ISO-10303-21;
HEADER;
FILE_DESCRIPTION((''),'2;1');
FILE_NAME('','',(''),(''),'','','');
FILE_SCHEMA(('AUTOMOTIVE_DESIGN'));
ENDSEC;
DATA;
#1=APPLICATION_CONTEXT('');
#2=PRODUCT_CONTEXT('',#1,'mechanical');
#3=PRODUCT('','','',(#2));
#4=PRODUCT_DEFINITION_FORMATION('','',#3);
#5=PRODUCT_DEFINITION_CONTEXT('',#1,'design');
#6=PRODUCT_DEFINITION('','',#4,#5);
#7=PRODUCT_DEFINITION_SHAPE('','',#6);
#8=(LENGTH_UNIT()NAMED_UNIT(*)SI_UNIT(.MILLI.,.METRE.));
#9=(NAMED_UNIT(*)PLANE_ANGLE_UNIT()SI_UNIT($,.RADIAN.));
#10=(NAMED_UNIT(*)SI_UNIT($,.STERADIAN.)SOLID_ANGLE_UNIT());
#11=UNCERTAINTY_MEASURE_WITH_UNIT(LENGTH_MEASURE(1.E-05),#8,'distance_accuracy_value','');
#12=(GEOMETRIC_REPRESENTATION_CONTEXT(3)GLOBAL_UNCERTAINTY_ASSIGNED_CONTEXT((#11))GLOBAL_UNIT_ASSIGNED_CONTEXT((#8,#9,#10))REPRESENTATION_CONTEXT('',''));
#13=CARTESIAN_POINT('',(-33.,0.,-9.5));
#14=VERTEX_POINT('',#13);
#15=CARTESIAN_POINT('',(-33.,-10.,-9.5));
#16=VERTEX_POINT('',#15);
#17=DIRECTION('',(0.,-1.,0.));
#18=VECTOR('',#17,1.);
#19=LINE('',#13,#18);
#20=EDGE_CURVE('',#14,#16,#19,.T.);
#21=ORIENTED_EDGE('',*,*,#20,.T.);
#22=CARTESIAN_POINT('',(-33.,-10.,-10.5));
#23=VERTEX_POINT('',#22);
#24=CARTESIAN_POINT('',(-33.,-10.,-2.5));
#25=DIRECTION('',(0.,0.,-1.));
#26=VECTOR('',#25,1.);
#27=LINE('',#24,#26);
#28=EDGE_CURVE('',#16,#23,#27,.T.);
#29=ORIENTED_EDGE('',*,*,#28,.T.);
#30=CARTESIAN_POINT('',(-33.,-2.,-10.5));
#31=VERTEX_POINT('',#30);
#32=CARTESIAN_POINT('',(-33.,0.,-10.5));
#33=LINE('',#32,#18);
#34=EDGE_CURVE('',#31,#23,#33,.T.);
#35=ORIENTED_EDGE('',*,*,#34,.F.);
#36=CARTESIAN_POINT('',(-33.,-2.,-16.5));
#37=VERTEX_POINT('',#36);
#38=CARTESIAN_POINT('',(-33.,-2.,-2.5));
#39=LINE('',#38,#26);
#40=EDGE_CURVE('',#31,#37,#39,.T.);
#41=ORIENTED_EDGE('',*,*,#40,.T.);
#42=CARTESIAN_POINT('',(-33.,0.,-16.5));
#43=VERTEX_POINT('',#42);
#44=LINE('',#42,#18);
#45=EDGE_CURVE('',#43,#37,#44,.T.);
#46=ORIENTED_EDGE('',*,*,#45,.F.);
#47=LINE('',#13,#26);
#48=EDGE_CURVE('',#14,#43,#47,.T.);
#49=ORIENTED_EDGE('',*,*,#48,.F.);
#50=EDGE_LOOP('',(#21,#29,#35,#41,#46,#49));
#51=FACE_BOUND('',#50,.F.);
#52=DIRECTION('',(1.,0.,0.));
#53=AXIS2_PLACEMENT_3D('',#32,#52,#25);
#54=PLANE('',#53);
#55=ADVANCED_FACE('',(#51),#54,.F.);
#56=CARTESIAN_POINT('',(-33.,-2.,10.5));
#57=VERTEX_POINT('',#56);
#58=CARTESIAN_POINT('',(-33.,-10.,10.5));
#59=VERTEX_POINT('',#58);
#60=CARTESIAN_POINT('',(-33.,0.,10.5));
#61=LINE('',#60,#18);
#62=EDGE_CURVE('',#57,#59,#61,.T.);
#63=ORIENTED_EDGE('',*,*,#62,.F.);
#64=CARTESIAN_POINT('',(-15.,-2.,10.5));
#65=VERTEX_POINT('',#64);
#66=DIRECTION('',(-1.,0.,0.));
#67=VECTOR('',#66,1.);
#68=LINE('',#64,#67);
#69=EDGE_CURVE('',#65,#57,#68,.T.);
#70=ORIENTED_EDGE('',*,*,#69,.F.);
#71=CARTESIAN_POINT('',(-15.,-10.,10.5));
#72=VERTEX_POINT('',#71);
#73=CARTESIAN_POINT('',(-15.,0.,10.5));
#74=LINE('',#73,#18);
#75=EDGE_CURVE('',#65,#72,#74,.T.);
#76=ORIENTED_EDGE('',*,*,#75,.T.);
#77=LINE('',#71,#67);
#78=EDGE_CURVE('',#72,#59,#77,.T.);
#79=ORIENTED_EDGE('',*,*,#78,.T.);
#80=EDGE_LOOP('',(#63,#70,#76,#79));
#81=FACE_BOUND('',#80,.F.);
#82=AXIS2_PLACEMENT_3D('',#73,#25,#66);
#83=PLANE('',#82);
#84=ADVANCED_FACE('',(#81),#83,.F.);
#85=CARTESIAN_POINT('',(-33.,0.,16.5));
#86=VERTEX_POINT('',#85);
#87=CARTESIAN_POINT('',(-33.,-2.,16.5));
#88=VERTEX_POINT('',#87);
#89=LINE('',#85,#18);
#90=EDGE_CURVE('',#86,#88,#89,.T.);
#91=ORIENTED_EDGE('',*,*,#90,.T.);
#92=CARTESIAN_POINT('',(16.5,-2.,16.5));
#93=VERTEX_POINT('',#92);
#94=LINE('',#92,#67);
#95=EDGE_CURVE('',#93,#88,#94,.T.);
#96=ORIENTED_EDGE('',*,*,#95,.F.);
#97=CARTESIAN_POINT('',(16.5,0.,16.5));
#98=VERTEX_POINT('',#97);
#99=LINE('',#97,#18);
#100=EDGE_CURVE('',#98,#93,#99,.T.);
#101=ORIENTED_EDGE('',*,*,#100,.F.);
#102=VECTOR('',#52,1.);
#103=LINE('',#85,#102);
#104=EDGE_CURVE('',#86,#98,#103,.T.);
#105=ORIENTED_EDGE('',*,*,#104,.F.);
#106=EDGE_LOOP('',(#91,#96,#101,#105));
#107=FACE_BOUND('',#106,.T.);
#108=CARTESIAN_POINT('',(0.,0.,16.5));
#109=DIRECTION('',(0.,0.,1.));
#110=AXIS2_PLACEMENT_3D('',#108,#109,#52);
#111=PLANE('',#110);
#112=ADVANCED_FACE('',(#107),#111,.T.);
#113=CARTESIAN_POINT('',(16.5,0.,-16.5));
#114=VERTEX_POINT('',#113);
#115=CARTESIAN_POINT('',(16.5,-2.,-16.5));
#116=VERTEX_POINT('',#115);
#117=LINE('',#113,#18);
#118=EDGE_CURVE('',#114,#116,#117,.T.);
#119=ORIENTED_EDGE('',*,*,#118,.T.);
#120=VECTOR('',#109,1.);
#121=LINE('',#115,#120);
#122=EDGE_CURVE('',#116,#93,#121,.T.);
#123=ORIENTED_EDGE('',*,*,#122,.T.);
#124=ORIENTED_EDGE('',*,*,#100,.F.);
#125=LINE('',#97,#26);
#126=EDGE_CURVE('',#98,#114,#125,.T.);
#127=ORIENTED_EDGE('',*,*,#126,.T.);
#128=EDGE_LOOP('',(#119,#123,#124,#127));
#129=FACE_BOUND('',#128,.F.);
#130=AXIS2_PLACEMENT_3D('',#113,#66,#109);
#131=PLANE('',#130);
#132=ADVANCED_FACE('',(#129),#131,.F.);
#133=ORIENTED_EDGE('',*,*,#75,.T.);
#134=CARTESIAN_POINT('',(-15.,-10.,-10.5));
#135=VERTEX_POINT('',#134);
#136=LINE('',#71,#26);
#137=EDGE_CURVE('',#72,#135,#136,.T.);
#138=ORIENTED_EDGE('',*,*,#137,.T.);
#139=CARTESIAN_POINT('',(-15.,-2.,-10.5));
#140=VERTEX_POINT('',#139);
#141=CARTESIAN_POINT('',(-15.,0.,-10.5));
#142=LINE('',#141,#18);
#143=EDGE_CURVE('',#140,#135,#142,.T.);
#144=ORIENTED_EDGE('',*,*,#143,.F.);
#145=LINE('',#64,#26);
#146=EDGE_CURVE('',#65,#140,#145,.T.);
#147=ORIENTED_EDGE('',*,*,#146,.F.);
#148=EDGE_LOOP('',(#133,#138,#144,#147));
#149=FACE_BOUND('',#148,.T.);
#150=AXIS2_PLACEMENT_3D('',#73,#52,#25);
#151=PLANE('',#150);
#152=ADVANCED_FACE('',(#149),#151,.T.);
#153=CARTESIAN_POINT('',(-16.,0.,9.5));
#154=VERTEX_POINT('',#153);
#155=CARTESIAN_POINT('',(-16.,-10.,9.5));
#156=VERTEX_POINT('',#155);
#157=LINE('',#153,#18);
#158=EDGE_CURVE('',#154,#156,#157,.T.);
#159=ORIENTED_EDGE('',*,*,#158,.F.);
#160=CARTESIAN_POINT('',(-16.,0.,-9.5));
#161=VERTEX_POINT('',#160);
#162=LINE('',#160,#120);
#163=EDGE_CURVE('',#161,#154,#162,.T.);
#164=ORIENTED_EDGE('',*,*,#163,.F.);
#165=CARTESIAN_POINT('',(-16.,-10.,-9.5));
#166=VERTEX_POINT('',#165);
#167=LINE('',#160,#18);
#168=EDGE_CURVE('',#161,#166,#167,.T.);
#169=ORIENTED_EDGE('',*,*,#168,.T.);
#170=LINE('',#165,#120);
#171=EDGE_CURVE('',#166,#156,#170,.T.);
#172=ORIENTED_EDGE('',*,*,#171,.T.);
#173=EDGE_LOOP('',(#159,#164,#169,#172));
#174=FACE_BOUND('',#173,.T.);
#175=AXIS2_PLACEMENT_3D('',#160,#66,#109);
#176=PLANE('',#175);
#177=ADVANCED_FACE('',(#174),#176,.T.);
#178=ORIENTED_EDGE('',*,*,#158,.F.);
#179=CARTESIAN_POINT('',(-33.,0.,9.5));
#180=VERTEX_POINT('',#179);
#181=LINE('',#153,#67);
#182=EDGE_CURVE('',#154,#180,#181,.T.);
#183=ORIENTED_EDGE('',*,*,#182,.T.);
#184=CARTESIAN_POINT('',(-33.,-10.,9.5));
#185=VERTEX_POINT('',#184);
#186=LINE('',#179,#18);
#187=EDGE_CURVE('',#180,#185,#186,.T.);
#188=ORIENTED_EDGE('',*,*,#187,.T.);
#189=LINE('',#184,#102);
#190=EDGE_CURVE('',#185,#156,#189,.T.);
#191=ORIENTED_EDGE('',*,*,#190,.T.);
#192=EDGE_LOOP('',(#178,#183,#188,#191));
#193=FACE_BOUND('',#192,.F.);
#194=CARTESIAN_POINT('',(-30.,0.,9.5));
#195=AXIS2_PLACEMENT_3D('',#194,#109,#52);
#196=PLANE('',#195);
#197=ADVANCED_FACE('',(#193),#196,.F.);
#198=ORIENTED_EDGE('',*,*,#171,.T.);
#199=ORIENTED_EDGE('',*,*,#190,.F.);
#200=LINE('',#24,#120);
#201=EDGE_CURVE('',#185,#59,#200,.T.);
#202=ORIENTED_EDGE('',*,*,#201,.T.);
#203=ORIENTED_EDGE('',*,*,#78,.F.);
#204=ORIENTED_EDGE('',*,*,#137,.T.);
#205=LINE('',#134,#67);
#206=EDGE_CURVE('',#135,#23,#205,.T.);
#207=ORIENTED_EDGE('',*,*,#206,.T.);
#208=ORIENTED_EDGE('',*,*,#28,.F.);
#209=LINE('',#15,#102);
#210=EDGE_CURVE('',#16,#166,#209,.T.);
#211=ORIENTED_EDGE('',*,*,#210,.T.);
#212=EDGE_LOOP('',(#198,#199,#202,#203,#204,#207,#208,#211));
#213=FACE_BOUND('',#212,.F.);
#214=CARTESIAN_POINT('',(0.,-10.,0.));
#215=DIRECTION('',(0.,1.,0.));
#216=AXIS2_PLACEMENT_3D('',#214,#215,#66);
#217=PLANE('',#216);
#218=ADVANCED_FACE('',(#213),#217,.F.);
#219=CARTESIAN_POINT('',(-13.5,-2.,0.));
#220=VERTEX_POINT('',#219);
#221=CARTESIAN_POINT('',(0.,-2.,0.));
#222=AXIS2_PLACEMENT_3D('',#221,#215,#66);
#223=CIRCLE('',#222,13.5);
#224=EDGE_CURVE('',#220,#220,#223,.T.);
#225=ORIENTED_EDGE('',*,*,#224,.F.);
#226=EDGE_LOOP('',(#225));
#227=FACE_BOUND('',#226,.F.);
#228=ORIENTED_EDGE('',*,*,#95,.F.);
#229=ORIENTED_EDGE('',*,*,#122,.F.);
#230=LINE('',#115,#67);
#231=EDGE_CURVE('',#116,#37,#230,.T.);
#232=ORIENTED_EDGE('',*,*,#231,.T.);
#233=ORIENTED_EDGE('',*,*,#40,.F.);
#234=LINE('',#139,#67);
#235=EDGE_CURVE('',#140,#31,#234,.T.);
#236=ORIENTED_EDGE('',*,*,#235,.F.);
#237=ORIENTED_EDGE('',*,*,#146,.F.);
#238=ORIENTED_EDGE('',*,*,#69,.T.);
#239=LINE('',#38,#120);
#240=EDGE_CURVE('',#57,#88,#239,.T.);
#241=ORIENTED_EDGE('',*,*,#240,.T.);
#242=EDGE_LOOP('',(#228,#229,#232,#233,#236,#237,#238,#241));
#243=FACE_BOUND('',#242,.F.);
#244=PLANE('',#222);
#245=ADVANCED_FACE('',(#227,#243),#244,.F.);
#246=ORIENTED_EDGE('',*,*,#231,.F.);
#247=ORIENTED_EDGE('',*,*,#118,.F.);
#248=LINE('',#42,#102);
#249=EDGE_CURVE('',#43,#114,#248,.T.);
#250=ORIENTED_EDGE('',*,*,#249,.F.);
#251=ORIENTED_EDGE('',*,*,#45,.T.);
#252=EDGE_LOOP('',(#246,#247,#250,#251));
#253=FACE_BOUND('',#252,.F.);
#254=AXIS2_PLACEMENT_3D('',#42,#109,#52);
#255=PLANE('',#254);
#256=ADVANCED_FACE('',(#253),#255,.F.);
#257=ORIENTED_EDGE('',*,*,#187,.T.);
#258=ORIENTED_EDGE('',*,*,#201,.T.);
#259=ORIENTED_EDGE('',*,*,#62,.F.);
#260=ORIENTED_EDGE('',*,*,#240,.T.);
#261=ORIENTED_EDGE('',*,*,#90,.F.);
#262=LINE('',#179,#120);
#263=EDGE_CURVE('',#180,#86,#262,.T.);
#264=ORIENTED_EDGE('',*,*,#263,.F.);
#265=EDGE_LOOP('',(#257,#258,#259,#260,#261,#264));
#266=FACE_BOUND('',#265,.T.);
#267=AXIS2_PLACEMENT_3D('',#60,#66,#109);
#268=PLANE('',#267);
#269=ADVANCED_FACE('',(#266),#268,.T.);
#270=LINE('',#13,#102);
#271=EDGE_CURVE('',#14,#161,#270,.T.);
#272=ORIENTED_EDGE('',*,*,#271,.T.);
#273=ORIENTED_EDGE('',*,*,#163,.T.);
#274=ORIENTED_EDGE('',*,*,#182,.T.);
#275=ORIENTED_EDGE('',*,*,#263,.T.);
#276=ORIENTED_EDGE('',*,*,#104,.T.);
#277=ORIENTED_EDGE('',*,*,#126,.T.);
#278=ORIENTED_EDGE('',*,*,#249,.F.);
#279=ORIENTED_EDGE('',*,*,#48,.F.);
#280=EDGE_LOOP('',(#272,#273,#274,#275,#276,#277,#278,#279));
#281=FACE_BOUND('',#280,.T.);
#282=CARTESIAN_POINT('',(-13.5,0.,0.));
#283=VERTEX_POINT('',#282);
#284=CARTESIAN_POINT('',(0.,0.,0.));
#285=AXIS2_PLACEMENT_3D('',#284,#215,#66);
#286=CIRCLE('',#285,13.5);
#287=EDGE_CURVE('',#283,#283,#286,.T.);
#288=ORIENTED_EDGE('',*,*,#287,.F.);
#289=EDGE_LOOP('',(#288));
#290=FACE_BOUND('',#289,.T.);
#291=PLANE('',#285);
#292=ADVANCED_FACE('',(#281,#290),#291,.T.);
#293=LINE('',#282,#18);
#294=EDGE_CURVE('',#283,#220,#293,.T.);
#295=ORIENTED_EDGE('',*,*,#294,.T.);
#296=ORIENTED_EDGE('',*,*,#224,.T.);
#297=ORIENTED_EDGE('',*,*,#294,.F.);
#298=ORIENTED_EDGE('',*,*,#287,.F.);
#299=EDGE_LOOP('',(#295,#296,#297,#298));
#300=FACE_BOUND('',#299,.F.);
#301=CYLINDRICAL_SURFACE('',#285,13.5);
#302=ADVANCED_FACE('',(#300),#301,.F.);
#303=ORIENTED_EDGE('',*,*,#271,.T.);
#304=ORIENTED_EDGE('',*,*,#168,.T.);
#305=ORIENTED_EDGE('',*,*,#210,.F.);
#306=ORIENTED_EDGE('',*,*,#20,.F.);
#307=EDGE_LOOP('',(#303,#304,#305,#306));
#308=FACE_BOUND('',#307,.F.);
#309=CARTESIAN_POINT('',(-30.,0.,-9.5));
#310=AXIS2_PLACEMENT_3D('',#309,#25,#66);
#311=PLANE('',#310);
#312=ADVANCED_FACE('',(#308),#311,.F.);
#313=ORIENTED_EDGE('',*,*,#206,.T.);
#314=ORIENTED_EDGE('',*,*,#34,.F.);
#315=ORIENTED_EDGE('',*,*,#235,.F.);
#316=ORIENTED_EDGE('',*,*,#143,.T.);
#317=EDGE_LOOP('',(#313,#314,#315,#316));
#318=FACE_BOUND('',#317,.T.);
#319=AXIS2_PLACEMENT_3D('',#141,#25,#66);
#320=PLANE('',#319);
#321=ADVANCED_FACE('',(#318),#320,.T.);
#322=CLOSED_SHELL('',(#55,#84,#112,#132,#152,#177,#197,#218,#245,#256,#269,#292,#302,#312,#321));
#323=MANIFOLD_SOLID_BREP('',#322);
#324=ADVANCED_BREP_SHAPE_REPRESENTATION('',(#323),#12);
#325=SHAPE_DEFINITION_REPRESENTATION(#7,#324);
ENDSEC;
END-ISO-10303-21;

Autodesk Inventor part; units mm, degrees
ref_plane "YZ Plane" through (0, 0, 0) normal (1, 0, 0) x (0, 1, 0)
ref_plane "XZ Plane" through (0, 0, 0) normal (0, 1, 0) x (-1, 0, 0)
ref_plane "XY Plane" through (0, 0, 0) normal (0, 0, 1) x (1, 0, 0)
sketch "Sketch1" plane through (0, 0, 0) normal (0, 1, 0) x (-1, 0, 0)
  circle A0 centre (0, 0) radius 13.5
  line L0 (0, -13.5) -> (30, -13.5) construction
  line L1 (0, 13.5) -> (30, 13.5) construction
  line L2 (30, 13.5) -> (30, -13.5) construction
  line L3 (0, -13.5) -> (16, -13.5) construction
  line L4 (0, 13.5) -> (16, 13.5) construction
  line L5 (16, 13.5) -> (16, -13.5) construction
  line L6 (30, 13.5) -> (30, 9.5) construction
  line L7 (30, -13.5) -> (30, -9.5) construction
  line L8 (30, 9.5) -> (16, 9.5)
  line L9 (30, -9.5) -> (16, -9.5)
  line L10 (16, -9.5) -> (16, 9.5)
  line L11 (0, -13.5) -> (0, -16.5) construction
  line L12 (0, 13.5) -> (0, 16.5) construction
  line L13 (30, -2.5) -> (33, -2.5) construction
  line L14 (-13.5, 0) -> (-16.5, 0) construction
  line L15 (33, -2.5) -> (33, -16.5)
  line L16 (33, -16.5) -> (0, -16.5)
  line L17 (33, -2.5) -> (33, 16.5)
  line L18 (33, 16.5) -> (0, 16.5)
  line L19 (0, 16.5) -> (-16.5, 16.5)
  line L20 (-16.5, 0) -> (-16.5, 16.5)
  line L21 (0, -16.5) -> (-16.5, -16.5)
  line L22 (-16.5, -16.5) -> (-16.5, 0)
  line L23 (30, 9.5) -> (33, 9.5)
  line L24 (30, -9.5) -> (33, -9.5)
  line L25 (0, 13.5) -> (15, 13.5) construction
  line L26 (0, -13.5) -> (15, -13.5) construction
  line L27 (15, 13.5) -> (15, -13.5) construction
  line L28 (33, 9.5) -> (33, 10.5) construction
  line L29 (33, 10.5) -> (15, 10.5) construction
  line L30 (33, -9.5) -> (33, -10.5) construction
  line L31 (33, -10.5) -> (15, -10.5) construction
  line L32 (15, 10.5) -> (15, -10.5)
  line L33 (15, -10.5) -> (33, -10.5)
  line L34 (15, 10.5) -> (33, 10.5)
  dimension "d0" = 27
  dimension "d1" = 30
  dimension "d2" = 30
  dimension "d3" = 16
  dimension "d4" = 16
  dimension "d5" = 4
  dimension "d6" = 4
  dimension "d7" = 3
  dimension "d8" = 3
  dimension "d9" = 3
  dimension "d10" = 3
  dimension "d15" = 19
  dimension "d16" = 15
  dimension "d17" = 15
  dimension "d18" = 1
  dimension "d19" = 1
extrude "Extrusion3" add sketch "Sketch1" against normal blind 2 contours L34 L32 L33 L15 L16 L21 L22 L20 L19 L18 L17
extrude "Extrusion4" add sketch "Sketch1" against normal blind 10 contours L8 L10 L9 L24 L15 L33 L32 L34 L17 L23
properties part number "joystick_test_v1"
